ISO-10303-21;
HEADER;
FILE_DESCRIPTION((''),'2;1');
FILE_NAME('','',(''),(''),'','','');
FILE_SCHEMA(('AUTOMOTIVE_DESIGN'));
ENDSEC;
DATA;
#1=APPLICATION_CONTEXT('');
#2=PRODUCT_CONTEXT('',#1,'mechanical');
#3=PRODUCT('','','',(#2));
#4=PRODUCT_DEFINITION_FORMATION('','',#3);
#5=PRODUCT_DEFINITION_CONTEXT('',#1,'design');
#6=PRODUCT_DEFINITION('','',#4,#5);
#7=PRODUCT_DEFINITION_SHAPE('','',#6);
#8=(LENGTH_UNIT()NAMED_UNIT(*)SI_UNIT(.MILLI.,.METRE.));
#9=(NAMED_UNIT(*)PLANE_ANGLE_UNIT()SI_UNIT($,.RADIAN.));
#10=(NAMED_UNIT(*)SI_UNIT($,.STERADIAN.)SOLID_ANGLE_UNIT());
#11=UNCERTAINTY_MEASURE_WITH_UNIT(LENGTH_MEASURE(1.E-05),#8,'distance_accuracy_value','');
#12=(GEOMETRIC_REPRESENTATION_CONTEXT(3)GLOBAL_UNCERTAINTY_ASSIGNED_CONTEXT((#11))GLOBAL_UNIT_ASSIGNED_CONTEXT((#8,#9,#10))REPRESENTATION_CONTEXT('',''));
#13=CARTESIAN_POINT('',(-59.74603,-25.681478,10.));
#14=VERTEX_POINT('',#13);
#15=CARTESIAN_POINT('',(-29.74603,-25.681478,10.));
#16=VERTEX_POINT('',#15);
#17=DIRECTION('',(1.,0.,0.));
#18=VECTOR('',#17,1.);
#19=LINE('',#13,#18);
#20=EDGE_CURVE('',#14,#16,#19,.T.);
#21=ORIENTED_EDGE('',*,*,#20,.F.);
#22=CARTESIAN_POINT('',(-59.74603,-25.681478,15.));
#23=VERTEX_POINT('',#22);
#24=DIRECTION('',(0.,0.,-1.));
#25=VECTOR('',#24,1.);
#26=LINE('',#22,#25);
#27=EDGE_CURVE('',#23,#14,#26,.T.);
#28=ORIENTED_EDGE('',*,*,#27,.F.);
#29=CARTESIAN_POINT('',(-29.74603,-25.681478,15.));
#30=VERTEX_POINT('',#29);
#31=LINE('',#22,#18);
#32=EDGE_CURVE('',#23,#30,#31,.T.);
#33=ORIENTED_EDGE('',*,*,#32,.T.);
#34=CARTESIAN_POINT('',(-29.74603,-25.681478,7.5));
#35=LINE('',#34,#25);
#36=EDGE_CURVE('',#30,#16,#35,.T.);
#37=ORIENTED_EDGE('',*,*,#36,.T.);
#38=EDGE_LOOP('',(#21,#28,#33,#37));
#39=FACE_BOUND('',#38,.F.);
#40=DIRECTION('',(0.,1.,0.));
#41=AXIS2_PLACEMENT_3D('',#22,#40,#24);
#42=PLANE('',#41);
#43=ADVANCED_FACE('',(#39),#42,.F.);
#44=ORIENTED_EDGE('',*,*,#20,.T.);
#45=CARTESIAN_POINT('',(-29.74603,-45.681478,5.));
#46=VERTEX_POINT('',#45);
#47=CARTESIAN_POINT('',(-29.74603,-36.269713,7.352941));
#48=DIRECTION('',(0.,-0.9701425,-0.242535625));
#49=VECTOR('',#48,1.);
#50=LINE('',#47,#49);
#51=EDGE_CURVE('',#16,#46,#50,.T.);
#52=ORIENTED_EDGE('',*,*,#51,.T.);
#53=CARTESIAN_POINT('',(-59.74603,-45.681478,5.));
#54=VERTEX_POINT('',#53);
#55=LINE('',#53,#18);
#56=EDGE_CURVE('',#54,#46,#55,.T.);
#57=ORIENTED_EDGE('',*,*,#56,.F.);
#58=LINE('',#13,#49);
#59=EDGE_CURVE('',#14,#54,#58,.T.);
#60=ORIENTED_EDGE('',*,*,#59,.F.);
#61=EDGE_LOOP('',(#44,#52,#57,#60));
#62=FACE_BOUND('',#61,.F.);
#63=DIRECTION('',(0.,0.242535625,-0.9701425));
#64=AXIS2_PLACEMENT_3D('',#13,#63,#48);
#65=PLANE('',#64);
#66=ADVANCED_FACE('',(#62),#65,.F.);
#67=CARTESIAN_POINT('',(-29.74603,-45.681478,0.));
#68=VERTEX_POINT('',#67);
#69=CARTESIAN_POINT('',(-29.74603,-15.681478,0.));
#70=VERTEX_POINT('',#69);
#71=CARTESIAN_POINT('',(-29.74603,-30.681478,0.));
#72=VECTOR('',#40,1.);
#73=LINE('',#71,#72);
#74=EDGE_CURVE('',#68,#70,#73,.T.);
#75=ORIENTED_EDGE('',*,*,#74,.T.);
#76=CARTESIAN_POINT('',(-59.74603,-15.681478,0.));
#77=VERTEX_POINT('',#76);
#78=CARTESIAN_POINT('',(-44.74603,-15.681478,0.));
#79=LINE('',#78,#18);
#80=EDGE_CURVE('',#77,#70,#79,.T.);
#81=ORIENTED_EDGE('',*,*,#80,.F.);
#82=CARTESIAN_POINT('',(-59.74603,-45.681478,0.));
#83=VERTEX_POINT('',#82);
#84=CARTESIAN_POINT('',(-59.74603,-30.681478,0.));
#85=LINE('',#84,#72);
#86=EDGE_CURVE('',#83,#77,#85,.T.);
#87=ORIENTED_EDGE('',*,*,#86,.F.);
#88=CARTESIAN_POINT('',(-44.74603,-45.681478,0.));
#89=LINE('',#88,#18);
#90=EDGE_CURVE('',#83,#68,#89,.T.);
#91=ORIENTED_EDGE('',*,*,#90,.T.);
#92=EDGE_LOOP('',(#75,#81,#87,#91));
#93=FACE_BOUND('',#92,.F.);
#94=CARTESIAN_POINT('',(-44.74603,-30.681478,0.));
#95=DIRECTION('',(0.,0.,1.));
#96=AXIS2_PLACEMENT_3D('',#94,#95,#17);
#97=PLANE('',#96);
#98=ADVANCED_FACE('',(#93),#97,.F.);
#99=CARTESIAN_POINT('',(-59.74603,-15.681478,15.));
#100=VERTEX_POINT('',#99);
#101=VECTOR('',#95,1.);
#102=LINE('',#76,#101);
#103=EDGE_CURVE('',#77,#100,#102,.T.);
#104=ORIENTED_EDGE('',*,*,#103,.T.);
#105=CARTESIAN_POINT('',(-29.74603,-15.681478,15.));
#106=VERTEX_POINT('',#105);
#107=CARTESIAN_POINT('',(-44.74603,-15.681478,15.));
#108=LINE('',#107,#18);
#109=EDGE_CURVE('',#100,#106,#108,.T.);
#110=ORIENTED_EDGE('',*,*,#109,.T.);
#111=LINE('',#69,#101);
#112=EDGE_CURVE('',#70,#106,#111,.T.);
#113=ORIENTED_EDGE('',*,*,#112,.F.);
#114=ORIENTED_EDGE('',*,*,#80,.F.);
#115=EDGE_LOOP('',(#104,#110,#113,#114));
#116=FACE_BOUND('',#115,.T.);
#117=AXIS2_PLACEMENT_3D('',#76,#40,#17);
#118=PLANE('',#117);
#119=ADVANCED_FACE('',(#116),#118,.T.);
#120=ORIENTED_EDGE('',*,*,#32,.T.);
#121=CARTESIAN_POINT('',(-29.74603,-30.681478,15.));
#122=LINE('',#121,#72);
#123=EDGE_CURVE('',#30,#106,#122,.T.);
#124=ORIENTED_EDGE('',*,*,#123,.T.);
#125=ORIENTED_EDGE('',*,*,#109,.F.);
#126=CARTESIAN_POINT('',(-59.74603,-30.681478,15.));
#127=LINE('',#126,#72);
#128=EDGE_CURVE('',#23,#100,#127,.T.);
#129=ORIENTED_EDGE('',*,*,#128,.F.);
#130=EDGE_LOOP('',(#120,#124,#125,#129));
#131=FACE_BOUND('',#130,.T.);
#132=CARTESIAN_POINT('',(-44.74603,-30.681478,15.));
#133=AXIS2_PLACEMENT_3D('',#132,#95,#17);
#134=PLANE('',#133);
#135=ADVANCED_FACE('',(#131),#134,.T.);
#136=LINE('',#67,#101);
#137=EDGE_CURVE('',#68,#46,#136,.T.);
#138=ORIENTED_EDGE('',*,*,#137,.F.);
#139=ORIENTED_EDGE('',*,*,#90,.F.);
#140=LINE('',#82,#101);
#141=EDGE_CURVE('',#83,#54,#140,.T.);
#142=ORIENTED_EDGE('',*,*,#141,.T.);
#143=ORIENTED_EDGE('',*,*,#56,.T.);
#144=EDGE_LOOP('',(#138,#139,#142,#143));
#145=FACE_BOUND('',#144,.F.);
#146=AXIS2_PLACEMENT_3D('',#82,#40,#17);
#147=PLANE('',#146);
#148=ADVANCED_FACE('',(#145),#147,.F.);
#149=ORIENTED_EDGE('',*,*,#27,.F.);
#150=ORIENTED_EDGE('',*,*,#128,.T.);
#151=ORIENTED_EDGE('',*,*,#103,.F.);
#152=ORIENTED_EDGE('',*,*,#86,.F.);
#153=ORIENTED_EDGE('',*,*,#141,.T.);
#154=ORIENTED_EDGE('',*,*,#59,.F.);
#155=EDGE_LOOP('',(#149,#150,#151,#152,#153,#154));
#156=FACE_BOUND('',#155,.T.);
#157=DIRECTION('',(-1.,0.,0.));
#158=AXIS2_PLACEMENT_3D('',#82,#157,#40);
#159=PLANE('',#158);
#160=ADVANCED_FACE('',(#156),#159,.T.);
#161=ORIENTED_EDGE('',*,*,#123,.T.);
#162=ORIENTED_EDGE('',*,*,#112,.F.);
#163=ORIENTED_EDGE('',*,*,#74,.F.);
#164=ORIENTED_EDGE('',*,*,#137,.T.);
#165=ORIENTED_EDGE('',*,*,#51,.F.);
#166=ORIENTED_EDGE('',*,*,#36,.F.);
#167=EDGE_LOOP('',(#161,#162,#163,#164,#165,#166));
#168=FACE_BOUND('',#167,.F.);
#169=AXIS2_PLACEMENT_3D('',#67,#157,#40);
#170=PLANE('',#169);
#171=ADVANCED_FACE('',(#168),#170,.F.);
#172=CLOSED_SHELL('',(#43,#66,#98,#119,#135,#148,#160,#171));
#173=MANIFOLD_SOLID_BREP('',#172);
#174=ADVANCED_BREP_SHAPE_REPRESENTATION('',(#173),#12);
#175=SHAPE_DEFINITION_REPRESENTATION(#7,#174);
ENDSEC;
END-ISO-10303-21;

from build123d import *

# Parameters (mm, degrees)
F0_W     = 30
F0_H     = 30
F1_DEPTH = 15
F3_DEPTH = 30.001


with BuildPart() as f1:
    # F0 (on Top) → F1 (new body)
    with BuildSketch(Plane.XY):
        with Locations((-44.74603, -30.681478)):
            Rectangle(F0_W, F0_H)
    extrude(amount=F1_DEPTH)

    # F2 (on face) → F3 (cut, through all)
    with BuildSketch(Plane(origin=(-59.74603, 0, 0), x_dir=(0, -1, 0), z_dir=(-1, 0, 0))):
        Polygon((45.681478, 15), (25.681478, 15), (25.681478, 10), (45.681478, 5), align=None)
    extrude(amount=-F3_DEPTH, mode=Mode.SUBTRACT)


solid = f1.part
